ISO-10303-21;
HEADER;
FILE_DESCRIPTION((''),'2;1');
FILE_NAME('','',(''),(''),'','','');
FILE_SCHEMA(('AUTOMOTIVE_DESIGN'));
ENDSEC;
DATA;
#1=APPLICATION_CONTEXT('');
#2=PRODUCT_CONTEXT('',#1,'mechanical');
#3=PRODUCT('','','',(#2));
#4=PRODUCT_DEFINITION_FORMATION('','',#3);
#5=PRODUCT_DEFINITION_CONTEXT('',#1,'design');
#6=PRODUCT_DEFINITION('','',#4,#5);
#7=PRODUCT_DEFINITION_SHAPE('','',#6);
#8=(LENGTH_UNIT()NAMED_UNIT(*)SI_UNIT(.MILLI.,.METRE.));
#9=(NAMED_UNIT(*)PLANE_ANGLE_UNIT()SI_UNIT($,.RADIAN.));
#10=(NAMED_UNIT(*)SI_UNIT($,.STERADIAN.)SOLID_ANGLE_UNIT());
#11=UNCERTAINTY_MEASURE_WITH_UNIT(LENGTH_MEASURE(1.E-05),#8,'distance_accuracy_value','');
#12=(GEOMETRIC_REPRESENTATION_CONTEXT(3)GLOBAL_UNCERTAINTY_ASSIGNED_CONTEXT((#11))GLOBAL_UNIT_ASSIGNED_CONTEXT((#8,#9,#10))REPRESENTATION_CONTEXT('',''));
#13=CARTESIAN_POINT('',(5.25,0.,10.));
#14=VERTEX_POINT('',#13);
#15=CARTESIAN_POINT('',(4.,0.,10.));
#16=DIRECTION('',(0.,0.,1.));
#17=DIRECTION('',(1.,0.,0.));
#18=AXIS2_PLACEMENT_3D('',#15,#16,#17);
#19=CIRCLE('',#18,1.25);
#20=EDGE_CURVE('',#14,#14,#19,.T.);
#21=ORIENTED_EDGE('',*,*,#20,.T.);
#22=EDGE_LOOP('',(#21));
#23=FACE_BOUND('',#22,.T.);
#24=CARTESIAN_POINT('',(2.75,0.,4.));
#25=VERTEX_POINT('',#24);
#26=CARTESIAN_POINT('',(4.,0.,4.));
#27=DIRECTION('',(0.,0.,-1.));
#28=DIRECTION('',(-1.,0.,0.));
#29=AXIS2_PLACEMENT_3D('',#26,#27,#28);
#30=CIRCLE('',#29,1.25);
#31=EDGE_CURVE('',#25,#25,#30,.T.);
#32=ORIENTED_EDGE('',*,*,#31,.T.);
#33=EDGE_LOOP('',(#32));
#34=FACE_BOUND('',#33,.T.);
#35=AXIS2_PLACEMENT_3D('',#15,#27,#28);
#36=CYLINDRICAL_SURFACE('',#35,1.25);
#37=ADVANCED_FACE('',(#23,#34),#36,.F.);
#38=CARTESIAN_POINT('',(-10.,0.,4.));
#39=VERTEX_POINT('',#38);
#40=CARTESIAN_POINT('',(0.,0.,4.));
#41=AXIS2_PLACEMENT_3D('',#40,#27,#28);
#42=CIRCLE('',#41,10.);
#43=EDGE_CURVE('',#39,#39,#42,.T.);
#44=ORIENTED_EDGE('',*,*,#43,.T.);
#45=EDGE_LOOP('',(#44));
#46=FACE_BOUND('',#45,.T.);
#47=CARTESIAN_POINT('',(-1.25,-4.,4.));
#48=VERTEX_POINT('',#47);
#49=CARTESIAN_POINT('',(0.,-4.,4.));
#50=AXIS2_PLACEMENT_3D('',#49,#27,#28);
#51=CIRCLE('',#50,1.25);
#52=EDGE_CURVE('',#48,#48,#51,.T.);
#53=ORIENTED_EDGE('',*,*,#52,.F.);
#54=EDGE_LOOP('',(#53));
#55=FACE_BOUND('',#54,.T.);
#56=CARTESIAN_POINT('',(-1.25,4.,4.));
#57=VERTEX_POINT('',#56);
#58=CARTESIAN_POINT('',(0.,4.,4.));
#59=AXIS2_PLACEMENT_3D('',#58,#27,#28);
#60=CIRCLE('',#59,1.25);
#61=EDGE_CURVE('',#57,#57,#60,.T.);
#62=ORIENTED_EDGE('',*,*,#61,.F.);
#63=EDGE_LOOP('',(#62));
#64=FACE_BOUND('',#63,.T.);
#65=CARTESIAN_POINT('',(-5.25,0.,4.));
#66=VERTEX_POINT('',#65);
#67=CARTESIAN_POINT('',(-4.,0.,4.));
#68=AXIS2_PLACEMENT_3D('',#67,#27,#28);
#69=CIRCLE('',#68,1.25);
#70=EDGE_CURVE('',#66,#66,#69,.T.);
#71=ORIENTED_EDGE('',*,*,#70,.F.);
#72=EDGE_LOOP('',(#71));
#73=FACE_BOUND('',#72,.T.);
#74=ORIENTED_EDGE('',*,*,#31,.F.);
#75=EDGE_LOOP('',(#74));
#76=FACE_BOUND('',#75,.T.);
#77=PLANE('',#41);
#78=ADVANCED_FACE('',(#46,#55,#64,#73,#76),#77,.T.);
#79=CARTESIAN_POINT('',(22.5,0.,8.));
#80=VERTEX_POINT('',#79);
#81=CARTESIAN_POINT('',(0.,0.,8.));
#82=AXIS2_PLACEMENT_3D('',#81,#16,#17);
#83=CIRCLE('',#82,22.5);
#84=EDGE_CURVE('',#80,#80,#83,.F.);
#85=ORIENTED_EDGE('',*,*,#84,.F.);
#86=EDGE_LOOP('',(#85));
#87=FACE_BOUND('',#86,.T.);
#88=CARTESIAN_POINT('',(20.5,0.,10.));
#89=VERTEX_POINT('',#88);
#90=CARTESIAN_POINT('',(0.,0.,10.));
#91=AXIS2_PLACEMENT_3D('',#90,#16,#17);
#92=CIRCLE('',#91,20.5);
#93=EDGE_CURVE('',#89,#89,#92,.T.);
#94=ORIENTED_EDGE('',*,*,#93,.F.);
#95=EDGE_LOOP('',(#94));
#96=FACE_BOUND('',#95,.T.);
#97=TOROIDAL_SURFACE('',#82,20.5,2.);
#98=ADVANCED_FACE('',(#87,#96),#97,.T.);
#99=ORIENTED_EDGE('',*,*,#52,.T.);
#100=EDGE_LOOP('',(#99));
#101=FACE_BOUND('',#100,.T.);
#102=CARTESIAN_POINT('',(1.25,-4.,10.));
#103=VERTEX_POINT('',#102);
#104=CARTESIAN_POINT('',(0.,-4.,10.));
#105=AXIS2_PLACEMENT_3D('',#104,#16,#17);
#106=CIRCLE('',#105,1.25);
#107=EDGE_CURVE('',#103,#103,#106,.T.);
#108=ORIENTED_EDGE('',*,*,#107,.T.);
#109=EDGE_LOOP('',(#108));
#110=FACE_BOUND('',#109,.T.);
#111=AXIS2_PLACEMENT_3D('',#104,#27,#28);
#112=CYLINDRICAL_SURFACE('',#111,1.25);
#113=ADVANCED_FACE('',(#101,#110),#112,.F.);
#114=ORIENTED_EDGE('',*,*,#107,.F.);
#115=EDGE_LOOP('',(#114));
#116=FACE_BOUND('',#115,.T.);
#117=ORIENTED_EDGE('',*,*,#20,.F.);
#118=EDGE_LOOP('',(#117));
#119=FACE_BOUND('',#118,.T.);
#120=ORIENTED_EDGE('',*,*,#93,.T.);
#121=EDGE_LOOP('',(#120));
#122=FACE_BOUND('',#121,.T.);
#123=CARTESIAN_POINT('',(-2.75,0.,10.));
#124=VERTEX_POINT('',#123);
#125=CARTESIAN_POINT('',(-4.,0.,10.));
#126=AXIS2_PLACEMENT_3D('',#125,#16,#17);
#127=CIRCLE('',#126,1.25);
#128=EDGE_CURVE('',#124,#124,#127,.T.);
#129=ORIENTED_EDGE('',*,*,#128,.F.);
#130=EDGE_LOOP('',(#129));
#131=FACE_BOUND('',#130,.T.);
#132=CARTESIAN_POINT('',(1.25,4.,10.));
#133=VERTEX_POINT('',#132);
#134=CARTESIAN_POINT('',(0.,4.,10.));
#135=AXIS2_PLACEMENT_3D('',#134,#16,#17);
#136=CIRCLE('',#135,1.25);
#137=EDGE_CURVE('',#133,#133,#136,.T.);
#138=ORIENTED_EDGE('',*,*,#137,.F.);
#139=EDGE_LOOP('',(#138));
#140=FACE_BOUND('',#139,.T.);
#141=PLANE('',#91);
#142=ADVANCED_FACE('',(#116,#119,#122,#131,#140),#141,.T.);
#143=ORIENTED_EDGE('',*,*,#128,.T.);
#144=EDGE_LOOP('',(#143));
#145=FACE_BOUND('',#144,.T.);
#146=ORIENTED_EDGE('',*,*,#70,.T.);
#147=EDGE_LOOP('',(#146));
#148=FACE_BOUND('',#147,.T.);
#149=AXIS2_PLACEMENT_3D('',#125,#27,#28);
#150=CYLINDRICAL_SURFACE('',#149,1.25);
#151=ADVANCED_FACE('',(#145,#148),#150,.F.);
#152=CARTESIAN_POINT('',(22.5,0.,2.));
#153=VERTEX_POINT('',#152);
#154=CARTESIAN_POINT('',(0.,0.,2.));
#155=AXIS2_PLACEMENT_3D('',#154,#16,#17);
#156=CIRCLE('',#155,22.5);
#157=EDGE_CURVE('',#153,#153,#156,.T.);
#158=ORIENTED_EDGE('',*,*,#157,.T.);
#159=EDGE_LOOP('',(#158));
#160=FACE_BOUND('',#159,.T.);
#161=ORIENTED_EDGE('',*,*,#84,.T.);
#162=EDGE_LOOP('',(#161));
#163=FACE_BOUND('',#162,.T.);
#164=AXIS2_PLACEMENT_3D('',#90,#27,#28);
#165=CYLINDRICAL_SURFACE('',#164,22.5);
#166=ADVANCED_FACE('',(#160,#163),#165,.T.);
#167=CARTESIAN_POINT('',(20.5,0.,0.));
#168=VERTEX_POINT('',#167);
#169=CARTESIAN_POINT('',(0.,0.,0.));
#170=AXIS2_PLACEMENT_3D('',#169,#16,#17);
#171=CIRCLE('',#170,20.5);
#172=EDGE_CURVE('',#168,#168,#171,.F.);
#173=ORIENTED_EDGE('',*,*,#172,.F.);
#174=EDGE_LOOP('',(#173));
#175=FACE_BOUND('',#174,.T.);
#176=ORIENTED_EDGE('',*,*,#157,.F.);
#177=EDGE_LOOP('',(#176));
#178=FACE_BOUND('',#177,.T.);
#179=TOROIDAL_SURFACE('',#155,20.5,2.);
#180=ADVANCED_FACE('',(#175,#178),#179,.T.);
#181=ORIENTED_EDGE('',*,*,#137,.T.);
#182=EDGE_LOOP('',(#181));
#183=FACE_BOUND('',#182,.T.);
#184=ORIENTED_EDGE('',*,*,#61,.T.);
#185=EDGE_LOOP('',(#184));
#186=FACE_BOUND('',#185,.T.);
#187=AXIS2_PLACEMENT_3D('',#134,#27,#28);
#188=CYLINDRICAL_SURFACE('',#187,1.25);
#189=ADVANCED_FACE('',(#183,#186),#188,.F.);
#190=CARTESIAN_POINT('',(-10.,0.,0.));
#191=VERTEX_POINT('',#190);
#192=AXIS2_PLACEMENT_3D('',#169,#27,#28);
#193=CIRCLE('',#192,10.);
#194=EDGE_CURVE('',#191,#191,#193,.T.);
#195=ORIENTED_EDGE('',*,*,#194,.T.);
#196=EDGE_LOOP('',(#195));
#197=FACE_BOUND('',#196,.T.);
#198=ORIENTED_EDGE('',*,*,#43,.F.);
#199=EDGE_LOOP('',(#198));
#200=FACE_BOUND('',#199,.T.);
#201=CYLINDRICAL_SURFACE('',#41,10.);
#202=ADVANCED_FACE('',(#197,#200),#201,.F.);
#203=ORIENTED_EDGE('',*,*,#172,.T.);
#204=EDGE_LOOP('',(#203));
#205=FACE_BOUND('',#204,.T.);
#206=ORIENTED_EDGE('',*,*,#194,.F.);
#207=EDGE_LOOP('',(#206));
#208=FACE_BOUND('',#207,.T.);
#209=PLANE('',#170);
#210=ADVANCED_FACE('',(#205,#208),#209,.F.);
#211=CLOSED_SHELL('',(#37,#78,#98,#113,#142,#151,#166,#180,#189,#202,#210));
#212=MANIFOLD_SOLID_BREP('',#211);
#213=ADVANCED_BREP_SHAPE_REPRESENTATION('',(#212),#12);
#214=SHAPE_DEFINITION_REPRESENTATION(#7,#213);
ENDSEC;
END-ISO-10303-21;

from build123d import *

# Parameters (mm, degrees)
SKETCH2_R           = 22.5
SKETCH2_R_2         = 1.25
BOSS_EXTRUDE1_DEPTH = 10
SKETCH3_R           = 10
CUT_EXTRUDE1_DEPTH  = 4
FILLET1_R           = 2


with BuildPart() as part:
    # Sketch2 → Boss-Extrude1 (new body)
    with BuildSketch(Plane.XY):
        Circle(SKETCH2_R)
        with Locations((4, 0)):
            Circle(SKETCH2_R_2, mode=Mode.SUBTRACT)
        with Locations((0, 4)):
            Circle(SKETCH2_R_2, mode=Mode.SUBTRACT)
        with Locations((-4, 0)):
            Circle(SKETCH2_R_2, mode=Mode.SUBTRACT)
        with Locations((0, -4)):
            Circle(SKETCH2_R_2, mode=Mode.SUBTRACT)
    extrude(amount=BOSS_EXTRUDE1_DEPTH)

    # Sketch3 → Cut-Extrude1 (cut)
    with BuildSketch(Plane(origin=(0, 0, 0), x_dir=(-1, 0, 0), z_dir=(0, 0, -1))):
        Circle(SKETCH3_R)
    extrude(amount=-CUT_EXTRUDE1_DEPTH, mode=Mode.SUBTRACT)

    # Fillet1
    fillet1_edges = [part.edges().sort_by_distance(p)[0] for p in [
        (-22.5, 0, 0),
        (-22.5, 0, 10),
    ]]
    fillet(fillet1_edges, radius=FILLET1_R)


solid = part.part
